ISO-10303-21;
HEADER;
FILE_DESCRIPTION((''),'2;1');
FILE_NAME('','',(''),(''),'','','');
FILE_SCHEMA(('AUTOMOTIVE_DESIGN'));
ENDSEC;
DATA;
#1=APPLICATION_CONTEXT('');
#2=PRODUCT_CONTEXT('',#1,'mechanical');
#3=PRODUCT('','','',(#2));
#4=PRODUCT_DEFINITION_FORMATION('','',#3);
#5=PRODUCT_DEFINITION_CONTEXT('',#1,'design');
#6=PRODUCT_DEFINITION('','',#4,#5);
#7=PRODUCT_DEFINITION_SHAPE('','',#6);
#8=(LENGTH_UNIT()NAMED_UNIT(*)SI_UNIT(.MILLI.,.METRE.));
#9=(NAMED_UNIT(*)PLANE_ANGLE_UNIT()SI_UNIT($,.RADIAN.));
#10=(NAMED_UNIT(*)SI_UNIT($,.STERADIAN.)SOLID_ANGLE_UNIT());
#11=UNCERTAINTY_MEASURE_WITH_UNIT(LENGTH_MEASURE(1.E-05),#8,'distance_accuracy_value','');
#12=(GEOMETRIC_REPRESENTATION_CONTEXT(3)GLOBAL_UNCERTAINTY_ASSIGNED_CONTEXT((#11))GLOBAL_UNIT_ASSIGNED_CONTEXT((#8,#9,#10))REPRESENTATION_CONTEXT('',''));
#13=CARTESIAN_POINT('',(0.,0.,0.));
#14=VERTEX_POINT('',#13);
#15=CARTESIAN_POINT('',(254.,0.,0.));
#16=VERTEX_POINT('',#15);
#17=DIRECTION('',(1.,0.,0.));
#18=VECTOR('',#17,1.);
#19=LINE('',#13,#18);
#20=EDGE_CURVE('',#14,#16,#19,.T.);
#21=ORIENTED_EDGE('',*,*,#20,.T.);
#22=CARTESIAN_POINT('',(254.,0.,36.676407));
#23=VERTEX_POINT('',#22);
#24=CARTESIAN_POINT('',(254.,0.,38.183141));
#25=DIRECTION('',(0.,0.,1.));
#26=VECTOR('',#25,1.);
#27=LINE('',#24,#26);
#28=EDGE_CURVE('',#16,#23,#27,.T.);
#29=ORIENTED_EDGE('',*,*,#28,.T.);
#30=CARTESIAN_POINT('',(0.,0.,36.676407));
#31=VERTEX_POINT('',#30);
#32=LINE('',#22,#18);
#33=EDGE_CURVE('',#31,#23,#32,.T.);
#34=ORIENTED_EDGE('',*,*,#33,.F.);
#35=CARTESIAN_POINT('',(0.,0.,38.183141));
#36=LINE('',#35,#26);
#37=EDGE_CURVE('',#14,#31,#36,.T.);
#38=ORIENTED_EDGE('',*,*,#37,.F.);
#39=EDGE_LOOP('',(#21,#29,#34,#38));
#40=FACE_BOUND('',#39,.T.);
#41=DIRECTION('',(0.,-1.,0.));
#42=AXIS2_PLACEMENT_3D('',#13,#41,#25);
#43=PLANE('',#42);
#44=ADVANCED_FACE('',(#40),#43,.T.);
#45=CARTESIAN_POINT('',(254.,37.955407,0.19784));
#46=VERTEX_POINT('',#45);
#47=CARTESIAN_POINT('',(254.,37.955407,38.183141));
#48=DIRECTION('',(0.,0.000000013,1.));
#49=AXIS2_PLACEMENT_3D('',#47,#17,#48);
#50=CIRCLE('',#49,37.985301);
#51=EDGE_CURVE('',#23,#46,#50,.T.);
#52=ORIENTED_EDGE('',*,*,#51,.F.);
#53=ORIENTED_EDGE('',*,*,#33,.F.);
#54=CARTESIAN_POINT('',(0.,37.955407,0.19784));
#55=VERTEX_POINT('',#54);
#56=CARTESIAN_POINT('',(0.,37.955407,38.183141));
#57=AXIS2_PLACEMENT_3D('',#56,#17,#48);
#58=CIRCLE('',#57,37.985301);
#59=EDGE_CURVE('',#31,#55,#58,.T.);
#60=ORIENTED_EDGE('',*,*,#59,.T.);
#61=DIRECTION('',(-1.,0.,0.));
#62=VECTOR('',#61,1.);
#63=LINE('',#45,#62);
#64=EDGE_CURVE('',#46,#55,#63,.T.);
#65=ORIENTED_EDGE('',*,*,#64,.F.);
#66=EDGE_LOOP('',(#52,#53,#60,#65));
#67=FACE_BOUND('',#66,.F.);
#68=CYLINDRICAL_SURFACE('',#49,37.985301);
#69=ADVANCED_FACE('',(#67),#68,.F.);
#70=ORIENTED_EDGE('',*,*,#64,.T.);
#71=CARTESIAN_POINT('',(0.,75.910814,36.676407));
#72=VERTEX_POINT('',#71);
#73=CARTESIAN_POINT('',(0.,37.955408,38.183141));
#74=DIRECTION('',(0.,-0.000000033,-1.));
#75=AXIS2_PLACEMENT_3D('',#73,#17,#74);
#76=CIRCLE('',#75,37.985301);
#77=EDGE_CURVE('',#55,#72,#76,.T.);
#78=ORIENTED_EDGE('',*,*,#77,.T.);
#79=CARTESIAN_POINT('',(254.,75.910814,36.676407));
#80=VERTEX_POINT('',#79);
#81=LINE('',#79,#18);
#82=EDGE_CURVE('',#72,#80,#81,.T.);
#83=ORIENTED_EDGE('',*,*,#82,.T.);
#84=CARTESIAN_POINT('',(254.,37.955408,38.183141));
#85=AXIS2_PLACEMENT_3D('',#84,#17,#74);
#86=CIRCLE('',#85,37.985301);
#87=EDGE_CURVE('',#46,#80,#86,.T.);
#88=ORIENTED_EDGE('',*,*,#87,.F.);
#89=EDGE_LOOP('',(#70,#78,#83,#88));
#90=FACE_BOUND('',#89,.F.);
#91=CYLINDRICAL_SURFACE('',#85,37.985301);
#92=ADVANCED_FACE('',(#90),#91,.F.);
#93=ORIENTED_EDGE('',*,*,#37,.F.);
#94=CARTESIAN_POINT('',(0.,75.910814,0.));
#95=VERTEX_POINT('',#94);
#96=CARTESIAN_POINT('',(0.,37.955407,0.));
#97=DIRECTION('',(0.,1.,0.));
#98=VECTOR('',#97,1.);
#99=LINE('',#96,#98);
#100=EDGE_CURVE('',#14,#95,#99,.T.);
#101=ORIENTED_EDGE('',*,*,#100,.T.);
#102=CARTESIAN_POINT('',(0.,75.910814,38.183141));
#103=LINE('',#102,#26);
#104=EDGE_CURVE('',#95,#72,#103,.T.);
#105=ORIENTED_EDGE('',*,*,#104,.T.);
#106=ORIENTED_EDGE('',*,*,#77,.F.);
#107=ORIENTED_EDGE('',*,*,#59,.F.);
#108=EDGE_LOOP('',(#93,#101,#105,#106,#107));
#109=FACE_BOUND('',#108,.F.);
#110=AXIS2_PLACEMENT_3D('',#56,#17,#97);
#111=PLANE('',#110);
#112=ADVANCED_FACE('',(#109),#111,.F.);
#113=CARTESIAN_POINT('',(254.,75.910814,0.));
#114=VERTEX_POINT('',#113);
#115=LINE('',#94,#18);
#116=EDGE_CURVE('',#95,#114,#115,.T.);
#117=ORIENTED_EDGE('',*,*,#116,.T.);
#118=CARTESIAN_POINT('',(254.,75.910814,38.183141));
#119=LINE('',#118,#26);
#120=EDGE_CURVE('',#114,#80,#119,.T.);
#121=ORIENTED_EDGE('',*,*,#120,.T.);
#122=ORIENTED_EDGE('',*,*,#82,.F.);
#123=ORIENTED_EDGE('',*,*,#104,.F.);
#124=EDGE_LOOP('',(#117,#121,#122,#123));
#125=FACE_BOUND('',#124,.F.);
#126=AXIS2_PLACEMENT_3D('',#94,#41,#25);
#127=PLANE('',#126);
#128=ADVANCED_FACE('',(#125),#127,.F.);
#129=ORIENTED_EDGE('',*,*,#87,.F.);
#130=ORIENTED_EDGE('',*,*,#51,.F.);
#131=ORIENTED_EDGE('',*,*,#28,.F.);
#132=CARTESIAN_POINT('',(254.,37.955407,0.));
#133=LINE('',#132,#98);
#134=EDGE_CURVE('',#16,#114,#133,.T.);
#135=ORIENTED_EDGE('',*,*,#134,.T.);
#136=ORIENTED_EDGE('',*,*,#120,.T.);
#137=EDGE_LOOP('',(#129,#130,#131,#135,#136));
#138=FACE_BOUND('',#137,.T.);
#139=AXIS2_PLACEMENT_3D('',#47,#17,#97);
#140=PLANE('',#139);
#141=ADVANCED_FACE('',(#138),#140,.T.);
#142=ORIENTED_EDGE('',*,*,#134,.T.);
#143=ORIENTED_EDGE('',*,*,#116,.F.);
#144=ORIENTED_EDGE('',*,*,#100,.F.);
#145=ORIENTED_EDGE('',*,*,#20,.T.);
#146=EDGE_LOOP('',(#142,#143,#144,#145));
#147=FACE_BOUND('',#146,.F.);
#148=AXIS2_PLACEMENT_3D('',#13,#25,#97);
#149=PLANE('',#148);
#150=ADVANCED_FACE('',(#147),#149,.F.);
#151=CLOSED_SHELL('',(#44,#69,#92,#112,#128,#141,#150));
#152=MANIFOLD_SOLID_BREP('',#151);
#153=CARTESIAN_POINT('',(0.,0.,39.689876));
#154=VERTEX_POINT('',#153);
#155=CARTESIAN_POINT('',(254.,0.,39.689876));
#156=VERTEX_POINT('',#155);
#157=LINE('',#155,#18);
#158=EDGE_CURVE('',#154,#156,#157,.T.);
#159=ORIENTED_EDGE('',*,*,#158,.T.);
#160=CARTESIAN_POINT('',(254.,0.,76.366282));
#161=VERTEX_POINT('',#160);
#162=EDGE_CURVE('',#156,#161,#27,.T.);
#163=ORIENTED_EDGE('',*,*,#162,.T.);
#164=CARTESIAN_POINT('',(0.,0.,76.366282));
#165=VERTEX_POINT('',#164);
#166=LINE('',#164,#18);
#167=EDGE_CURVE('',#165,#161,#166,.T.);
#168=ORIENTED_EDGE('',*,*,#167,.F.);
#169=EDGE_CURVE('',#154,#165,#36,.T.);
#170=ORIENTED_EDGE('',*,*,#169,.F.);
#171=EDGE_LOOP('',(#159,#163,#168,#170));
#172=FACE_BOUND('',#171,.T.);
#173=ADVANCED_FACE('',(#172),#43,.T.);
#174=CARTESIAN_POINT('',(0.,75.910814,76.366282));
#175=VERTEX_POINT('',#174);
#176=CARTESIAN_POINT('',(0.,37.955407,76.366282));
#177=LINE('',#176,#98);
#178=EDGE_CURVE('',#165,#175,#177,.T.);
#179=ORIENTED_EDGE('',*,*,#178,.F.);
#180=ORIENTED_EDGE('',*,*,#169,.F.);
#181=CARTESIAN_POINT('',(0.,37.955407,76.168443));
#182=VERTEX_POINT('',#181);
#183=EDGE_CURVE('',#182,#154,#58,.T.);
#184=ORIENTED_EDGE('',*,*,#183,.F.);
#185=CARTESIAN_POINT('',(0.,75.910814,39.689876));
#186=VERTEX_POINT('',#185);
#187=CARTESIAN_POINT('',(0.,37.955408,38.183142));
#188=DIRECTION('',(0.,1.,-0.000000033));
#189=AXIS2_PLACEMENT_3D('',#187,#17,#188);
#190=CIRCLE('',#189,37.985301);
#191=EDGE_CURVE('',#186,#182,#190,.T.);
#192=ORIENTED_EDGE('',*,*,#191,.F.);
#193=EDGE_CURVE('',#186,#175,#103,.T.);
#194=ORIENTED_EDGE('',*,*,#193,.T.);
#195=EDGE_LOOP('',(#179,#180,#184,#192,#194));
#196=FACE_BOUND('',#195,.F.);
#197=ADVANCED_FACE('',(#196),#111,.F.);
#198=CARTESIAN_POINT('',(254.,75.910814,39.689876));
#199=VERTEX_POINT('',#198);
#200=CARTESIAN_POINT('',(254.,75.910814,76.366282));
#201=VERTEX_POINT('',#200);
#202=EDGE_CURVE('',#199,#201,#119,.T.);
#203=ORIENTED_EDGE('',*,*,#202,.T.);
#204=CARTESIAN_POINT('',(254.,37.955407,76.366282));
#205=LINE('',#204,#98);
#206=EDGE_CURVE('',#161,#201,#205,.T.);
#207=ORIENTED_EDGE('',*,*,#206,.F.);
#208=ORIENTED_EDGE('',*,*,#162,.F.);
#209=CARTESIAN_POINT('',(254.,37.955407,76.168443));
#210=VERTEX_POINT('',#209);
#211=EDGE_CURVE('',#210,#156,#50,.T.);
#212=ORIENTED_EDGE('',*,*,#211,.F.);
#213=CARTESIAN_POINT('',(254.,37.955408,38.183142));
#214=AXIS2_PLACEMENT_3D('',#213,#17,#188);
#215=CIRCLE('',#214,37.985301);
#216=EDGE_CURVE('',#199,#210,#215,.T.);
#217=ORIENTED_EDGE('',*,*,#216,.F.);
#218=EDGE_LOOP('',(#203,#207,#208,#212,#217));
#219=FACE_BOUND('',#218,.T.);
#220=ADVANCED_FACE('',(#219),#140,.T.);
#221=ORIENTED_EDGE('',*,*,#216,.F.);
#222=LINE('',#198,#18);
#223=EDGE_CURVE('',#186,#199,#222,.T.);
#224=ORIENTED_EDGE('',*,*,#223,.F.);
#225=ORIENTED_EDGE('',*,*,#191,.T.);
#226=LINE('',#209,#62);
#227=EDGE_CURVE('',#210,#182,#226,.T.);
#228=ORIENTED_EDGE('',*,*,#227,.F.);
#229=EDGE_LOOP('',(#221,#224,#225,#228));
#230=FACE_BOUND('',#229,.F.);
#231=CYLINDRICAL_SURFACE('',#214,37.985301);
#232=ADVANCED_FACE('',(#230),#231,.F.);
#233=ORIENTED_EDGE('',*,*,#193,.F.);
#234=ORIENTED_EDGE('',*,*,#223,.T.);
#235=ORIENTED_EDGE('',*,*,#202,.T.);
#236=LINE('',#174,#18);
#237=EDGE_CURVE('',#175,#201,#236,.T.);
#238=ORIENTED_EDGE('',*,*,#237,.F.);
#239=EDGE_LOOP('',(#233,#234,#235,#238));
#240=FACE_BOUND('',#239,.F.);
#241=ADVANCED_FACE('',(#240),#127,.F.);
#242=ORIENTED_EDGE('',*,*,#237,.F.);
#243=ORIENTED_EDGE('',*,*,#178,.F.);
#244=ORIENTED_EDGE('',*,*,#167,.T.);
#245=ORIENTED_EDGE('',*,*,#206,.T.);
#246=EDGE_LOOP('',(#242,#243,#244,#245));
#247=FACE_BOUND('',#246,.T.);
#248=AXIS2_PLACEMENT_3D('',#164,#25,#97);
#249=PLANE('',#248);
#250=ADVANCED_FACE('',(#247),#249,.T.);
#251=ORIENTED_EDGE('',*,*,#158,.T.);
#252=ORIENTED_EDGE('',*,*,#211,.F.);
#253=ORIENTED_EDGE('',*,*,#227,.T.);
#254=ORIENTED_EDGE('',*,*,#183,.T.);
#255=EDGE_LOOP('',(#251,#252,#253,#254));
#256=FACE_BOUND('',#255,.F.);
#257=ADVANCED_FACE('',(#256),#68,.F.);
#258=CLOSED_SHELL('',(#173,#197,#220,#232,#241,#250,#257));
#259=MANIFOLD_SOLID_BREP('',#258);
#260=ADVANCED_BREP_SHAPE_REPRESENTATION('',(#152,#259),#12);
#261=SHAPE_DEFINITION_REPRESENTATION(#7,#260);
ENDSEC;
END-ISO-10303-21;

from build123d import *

# Parameters (mm, degrees)
F0_W     = 75.910814
F0_H     = 76.366283
F1_DEPTH = 254
F3_DEPTH = 254


with BuildPart() as f1:
    # F0 (on Right) → F1 (new body)
    with BuildSketch(Plane.YZ):
        with Locations((37.955407, 38.183141)):
            Rectangle(F0_W, F0_H)
    extrude(amount=F1_DEPTH)

    # F2 (on face) → F3 (cut)
    with BuildSketch(Plane.YZ.offset(254)):
        with BuildLine():
            ThreePointArc((75.940709, 38.183141), (64.815072, 65.042806), (37.955407, 76.168443))
            Line((37.955407, 76.168443), (37.955407, 0.19784))
            ThreePointArc((37.955407, 0.19784), (64.815072, 11.323477), (75.940709, 38.183141))
        make_face()
        with BuildLine():
            Line((37.955407, 0.19784), (37.955407, 76.168443))
            ThreePointArc((37.955407, 76.168443), (-0.029895, 38.183141), (37.955407, 0.19784))
        make_face()
    extrude(amount=-F3_DEPTH, mode=Mode.SUBTRACT)


solid = f1.part
